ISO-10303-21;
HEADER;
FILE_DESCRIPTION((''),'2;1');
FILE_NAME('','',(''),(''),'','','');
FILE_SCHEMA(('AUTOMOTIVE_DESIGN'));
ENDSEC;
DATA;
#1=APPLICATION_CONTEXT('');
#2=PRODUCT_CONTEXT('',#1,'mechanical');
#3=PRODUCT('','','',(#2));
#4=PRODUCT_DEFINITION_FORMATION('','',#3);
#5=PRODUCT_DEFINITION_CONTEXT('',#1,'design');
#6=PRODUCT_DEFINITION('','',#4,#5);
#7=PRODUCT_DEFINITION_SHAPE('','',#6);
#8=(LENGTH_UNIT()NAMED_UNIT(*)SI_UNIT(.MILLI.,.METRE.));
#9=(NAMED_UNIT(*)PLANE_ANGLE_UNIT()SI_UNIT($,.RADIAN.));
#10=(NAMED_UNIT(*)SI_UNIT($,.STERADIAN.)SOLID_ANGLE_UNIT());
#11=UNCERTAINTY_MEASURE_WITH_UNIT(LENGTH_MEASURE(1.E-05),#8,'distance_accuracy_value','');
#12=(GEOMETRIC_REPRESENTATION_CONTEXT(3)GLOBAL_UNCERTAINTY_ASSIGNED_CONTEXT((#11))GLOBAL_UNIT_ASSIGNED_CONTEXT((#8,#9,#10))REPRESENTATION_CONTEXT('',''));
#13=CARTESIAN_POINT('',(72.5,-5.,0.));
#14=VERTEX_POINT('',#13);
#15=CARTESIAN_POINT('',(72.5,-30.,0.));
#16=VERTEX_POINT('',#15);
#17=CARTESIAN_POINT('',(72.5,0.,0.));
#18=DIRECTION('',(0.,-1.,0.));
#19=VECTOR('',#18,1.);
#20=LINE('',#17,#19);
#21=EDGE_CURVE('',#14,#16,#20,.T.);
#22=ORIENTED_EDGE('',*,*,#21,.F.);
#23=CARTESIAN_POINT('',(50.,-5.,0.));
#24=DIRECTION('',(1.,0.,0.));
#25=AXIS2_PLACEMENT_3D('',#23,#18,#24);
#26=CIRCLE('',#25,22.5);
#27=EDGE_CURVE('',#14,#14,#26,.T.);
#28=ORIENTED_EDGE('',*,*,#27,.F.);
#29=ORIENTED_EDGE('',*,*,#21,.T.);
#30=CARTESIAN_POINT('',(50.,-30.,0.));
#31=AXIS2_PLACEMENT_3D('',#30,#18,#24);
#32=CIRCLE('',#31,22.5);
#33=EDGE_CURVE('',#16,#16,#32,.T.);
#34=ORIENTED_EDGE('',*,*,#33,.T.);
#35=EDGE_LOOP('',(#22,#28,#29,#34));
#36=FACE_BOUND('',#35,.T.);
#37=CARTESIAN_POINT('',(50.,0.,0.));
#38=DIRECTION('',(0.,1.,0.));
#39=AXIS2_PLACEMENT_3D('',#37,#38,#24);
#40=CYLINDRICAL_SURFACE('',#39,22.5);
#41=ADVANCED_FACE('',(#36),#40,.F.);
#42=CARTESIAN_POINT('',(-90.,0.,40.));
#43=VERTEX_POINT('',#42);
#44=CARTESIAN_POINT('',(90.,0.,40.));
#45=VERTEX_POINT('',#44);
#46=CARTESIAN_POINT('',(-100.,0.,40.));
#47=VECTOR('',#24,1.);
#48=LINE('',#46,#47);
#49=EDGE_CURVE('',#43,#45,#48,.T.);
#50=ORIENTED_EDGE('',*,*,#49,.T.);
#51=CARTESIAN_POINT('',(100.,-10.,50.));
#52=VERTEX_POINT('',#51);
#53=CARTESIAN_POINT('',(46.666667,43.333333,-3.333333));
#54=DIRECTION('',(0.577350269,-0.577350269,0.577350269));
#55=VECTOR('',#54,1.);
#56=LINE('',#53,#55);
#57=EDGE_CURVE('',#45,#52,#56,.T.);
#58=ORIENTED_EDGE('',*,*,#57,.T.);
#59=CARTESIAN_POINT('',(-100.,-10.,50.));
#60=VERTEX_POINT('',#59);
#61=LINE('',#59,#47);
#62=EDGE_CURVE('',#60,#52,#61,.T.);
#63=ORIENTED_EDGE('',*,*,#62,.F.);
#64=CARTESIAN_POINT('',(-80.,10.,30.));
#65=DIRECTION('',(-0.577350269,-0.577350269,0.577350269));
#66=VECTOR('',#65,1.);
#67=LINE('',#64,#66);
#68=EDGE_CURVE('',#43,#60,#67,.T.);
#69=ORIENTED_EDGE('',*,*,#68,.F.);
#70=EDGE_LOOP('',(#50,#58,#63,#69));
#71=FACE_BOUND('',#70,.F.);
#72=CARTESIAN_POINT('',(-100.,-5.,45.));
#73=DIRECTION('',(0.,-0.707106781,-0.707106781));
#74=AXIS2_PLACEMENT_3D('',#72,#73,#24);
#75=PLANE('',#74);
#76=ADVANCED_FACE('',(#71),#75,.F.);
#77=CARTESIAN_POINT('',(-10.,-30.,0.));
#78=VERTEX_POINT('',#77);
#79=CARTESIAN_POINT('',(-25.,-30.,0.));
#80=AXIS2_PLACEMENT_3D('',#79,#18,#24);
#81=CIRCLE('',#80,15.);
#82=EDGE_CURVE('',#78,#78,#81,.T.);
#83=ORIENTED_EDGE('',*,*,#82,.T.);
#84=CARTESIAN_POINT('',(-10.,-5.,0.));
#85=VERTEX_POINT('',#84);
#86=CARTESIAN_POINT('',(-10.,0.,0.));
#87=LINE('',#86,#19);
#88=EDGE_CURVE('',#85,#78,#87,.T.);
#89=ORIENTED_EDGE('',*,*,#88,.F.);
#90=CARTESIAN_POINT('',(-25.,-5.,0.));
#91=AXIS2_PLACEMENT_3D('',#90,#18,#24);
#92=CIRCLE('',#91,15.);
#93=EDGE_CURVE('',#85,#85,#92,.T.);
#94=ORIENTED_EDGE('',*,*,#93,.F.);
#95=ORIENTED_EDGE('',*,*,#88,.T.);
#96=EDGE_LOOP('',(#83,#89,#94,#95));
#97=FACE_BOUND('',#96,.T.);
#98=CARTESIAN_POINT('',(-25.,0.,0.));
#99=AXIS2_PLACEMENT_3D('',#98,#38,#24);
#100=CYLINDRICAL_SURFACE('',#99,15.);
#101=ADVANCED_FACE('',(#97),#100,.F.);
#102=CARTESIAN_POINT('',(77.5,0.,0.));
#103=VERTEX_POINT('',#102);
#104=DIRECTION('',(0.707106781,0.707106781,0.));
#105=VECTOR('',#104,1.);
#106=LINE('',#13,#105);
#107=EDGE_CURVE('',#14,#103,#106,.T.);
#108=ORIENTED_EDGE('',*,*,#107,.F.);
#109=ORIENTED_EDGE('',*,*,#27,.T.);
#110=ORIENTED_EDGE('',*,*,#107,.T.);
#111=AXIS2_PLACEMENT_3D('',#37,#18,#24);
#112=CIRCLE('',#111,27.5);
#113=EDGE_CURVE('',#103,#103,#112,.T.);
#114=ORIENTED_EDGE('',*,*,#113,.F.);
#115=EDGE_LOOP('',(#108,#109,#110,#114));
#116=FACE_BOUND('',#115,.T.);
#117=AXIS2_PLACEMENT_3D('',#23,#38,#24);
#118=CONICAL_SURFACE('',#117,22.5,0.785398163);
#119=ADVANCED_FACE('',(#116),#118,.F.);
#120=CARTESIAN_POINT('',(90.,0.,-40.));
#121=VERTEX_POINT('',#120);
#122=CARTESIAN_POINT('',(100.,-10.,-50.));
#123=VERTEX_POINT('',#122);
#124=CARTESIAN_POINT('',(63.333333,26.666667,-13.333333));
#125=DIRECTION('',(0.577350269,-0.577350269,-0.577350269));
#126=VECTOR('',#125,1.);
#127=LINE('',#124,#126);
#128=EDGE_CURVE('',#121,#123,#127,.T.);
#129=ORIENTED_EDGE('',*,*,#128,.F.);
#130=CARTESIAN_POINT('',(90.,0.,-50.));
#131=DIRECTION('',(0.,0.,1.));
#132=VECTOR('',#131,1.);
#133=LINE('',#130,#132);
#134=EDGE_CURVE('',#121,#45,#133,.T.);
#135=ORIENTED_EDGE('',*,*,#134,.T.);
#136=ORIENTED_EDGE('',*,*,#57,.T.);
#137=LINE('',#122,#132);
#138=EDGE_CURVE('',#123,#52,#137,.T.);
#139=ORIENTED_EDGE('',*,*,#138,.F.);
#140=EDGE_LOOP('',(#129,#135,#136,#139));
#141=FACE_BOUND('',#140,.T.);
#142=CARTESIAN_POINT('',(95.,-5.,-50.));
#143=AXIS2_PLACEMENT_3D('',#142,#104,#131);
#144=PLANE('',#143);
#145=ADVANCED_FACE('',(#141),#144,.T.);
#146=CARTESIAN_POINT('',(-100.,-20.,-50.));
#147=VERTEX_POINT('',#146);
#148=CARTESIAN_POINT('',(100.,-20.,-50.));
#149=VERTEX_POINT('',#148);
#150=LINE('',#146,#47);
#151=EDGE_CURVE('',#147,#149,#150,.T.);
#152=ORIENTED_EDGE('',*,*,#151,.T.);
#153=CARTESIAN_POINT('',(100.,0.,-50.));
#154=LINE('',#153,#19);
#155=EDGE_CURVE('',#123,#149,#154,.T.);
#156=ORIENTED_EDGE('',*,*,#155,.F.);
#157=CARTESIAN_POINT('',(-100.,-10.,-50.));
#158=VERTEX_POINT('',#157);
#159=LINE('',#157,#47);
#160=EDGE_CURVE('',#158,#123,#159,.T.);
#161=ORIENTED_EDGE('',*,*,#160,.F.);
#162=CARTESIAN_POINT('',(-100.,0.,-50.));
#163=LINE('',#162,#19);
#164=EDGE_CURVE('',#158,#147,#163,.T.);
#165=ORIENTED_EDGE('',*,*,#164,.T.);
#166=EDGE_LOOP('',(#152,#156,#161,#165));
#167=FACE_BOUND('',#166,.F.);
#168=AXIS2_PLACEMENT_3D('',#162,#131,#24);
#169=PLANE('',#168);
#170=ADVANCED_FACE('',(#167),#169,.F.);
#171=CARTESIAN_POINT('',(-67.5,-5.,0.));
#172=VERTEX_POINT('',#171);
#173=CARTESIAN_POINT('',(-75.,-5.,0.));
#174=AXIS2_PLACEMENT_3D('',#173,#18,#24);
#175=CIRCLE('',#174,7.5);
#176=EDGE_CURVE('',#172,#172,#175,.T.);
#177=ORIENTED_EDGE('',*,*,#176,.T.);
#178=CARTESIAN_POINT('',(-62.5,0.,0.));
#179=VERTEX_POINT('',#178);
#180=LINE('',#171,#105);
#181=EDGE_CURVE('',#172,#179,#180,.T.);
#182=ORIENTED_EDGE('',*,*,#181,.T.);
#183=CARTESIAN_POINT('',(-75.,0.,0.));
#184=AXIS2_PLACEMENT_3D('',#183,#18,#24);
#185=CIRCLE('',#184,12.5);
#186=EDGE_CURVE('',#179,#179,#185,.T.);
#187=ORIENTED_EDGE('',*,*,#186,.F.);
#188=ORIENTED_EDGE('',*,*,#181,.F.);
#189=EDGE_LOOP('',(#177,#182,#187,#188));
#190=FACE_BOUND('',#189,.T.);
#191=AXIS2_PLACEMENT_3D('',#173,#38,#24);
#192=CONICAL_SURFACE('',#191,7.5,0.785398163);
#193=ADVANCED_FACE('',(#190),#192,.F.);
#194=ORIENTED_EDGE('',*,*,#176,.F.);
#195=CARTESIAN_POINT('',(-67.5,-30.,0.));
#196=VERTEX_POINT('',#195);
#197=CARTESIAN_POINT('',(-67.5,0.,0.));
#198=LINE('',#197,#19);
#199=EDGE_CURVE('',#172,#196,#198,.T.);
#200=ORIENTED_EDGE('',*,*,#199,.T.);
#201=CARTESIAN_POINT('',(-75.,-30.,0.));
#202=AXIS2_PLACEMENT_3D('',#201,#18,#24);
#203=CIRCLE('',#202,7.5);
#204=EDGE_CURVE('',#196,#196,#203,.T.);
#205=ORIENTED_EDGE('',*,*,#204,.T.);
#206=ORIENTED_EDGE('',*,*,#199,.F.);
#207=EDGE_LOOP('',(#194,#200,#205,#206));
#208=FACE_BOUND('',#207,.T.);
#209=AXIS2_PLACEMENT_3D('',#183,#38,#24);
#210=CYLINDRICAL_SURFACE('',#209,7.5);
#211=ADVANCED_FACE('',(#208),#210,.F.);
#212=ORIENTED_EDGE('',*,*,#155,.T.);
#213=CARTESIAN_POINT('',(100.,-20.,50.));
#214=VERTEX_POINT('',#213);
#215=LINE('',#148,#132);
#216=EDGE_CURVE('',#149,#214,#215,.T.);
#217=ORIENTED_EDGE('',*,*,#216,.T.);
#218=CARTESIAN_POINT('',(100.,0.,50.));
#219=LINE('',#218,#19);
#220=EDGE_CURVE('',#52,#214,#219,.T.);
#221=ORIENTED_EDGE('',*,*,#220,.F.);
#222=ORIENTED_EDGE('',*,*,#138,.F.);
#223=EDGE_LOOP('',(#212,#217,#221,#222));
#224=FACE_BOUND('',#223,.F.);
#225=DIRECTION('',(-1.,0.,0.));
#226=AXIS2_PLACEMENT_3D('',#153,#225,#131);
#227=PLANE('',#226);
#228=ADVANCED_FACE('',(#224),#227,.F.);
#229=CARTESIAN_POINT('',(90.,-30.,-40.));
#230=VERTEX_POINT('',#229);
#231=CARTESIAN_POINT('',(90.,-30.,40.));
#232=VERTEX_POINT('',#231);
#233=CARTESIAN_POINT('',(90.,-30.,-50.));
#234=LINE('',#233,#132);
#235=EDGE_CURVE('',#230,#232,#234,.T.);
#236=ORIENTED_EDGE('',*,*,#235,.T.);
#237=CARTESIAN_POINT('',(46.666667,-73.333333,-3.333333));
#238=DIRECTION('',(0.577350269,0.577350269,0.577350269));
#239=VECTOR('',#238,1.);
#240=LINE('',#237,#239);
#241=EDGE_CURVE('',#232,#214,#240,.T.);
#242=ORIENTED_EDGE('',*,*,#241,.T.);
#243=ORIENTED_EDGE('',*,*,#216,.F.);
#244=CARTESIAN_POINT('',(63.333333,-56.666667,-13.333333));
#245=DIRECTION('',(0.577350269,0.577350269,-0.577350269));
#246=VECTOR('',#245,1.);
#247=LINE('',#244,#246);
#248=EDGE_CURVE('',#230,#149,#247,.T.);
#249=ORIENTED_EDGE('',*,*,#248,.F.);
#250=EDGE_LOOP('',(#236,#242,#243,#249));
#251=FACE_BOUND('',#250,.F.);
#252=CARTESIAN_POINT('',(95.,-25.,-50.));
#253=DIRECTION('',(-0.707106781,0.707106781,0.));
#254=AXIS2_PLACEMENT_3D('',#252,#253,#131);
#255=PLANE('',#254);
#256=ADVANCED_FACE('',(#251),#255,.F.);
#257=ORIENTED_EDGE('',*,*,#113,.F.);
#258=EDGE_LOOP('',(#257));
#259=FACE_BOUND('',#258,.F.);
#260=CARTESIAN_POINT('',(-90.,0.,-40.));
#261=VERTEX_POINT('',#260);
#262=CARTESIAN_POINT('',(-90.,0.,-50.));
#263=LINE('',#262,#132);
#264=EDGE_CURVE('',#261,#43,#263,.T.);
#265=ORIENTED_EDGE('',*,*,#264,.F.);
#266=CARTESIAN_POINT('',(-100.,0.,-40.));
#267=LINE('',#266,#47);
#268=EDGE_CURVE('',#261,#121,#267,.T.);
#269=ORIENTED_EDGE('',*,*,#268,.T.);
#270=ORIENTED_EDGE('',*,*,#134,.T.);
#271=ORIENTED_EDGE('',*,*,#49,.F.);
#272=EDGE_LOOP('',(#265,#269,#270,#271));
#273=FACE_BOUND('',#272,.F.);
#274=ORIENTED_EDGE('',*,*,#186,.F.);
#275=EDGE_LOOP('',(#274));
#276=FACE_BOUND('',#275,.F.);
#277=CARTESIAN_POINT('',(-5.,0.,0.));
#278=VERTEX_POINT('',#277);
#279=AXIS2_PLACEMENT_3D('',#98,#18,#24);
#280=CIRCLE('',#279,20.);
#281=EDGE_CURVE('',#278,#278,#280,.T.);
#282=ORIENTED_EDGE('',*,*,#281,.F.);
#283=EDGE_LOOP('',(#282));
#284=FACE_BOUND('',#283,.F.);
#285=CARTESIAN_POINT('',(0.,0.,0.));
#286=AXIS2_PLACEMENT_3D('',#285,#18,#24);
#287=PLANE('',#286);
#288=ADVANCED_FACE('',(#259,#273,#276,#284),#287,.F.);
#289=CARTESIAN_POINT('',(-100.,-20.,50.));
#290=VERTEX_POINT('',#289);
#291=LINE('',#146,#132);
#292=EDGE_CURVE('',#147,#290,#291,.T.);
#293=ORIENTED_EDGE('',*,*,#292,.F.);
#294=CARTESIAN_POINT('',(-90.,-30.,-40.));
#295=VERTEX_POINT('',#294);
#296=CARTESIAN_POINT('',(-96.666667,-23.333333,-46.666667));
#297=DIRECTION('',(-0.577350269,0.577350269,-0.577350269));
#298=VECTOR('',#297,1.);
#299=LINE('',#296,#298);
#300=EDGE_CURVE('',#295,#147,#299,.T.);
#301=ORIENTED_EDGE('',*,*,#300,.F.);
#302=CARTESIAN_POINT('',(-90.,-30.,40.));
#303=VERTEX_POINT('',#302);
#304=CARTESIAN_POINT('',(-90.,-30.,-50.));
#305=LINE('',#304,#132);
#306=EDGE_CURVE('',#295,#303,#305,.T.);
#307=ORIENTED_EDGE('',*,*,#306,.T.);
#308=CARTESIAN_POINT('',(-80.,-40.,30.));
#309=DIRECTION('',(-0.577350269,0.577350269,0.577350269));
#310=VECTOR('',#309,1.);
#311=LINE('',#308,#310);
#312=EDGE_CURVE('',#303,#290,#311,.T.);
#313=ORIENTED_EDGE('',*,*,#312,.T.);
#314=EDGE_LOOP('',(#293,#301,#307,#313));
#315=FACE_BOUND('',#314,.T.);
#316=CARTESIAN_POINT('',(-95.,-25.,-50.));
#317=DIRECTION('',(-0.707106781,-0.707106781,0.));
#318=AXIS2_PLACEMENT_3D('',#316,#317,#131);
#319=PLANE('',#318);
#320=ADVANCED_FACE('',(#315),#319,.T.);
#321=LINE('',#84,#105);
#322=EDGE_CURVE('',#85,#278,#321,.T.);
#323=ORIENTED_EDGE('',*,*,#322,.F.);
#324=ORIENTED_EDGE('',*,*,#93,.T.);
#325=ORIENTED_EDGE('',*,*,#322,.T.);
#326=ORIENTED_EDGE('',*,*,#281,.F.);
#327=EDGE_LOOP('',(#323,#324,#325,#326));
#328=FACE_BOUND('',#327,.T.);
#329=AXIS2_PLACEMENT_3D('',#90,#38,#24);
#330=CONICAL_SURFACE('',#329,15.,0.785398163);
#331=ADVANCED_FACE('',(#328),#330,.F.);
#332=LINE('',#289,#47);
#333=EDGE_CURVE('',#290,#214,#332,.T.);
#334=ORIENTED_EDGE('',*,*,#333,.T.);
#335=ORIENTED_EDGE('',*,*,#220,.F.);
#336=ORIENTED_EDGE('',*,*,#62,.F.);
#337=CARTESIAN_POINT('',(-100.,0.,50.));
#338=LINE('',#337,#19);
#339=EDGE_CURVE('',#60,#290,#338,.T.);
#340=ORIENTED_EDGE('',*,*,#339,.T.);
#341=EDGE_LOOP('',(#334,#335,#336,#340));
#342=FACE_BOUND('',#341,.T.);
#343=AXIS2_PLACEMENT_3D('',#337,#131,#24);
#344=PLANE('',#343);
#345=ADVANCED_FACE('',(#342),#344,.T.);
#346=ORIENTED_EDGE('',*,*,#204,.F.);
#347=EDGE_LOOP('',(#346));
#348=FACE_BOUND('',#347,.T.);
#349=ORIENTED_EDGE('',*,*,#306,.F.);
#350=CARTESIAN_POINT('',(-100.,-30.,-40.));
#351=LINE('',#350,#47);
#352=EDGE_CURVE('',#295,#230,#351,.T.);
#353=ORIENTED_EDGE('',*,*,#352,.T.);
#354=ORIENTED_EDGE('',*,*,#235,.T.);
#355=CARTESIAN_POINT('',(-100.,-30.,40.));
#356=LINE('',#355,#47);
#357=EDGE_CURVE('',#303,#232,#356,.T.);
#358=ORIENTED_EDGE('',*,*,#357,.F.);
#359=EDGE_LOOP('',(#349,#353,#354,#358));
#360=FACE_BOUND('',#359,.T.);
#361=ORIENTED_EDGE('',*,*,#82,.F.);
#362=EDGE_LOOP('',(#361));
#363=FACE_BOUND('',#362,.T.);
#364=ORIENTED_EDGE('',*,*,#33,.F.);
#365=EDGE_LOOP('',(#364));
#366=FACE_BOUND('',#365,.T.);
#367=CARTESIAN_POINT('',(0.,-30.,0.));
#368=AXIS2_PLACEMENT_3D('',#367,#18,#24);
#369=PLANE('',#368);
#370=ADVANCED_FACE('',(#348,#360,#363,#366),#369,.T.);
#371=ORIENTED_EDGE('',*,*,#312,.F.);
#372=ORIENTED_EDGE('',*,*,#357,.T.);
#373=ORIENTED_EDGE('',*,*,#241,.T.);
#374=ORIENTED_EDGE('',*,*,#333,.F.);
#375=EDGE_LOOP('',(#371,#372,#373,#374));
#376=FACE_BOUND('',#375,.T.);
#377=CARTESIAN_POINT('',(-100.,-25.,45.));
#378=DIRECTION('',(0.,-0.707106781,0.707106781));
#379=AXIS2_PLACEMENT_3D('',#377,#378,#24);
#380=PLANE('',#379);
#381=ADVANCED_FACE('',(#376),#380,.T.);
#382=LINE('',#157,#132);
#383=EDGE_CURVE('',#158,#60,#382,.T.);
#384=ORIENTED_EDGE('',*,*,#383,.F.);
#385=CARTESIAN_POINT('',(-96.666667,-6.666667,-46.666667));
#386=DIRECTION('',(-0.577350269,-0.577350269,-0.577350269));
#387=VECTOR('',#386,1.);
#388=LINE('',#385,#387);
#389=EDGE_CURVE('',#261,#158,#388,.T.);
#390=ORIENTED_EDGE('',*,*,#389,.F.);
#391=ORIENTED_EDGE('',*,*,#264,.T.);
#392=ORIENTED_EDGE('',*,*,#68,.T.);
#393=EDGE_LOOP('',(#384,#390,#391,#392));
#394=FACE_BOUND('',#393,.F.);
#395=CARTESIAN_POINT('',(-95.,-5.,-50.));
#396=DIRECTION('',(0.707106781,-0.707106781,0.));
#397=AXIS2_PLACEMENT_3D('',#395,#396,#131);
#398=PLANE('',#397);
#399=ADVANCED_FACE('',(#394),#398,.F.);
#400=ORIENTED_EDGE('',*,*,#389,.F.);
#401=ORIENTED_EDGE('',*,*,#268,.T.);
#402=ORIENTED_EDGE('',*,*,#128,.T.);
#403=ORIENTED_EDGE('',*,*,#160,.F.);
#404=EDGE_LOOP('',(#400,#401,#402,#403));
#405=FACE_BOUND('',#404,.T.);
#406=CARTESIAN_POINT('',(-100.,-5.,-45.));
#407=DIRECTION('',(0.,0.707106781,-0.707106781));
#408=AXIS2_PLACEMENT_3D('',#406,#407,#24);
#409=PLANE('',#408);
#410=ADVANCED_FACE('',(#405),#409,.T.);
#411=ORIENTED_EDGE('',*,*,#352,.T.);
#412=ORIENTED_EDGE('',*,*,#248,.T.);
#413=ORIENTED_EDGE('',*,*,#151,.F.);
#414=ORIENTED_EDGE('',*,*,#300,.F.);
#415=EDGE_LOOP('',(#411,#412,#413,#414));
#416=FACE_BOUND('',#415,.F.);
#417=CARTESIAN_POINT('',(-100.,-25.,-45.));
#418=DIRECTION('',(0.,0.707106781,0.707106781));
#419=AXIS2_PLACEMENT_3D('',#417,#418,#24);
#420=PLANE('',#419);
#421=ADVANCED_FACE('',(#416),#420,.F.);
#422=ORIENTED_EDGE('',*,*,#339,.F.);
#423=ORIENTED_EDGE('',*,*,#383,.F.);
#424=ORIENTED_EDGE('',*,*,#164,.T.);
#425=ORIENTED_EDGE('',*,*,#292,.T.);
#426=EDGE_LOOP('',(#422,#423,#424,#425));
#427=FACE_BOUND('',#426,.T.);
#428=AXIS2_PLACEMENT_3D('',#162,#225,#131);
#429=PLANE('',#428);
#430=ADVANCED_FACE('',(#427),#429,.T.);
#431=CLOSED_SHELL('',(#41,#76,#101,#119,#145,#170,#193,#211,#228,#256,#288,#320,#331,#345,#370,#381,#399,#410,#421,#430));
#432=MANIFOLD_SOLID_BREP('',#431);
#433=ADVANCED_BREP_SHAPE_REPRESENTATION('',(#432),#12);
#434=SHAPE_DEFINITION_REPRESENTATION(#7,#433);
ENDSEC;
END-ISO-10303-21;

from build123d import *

# Parameters (mm, degrees)
F0_W     = 200
F0_H     = 100
F0_R     = 7.5
F0_R_2   = 15
F0_R_3   = 22.5
F1_DEPTH = 30
F2_SIZE2 = 5
F2_SIZE  = 5
F3_SIZE2 = 10
F3_SIZE  = 10


with BuildPart() as f1:
    # F0 (on Front) → F1 (new body)
    with BuildSketch(Plane.XZ):
        Rectangle(F0_W, F0_H)
        with Locations((-75, 0)):
            Circle(F0_R, mode=Mode.SUBTRACT)
        with Locations((-25, 0)):
            Circle(F0_R_2, mode=Mode.SUBTRACT)
        with Locations((50, 0)):
            Circle(F0_R_3, mode=Mode.SUBTRACT)
    extrude(amount=F1_DEPTH)

    # F2
    f2_edges = [f1.edges().sort_by_distance(p)[0] for p in [
        (-82.5, 0, 0),
        (-40, 0, 0),
        (27.5, 0, 0),
    ]]
    chamfer(f2_edges, length=F2_SIZE, length2=F2_SIZE2)

    # F3
    f3_edges = [f1.edges().sort_by_distance(p)[0] for p in [
        (0, -30, -50),
        (-100, -30, 0),
        (0, -30, 50),
        (100, -30, 0),
        (100, 0, 0),
        (0, 0, 50),
        (-100, 0, 0),
        (0, 0, -50),
    ]]
    chamfer(f3_edges, length=F3_SIZE, length2=F3_SIZE2)


solid = f1.part
